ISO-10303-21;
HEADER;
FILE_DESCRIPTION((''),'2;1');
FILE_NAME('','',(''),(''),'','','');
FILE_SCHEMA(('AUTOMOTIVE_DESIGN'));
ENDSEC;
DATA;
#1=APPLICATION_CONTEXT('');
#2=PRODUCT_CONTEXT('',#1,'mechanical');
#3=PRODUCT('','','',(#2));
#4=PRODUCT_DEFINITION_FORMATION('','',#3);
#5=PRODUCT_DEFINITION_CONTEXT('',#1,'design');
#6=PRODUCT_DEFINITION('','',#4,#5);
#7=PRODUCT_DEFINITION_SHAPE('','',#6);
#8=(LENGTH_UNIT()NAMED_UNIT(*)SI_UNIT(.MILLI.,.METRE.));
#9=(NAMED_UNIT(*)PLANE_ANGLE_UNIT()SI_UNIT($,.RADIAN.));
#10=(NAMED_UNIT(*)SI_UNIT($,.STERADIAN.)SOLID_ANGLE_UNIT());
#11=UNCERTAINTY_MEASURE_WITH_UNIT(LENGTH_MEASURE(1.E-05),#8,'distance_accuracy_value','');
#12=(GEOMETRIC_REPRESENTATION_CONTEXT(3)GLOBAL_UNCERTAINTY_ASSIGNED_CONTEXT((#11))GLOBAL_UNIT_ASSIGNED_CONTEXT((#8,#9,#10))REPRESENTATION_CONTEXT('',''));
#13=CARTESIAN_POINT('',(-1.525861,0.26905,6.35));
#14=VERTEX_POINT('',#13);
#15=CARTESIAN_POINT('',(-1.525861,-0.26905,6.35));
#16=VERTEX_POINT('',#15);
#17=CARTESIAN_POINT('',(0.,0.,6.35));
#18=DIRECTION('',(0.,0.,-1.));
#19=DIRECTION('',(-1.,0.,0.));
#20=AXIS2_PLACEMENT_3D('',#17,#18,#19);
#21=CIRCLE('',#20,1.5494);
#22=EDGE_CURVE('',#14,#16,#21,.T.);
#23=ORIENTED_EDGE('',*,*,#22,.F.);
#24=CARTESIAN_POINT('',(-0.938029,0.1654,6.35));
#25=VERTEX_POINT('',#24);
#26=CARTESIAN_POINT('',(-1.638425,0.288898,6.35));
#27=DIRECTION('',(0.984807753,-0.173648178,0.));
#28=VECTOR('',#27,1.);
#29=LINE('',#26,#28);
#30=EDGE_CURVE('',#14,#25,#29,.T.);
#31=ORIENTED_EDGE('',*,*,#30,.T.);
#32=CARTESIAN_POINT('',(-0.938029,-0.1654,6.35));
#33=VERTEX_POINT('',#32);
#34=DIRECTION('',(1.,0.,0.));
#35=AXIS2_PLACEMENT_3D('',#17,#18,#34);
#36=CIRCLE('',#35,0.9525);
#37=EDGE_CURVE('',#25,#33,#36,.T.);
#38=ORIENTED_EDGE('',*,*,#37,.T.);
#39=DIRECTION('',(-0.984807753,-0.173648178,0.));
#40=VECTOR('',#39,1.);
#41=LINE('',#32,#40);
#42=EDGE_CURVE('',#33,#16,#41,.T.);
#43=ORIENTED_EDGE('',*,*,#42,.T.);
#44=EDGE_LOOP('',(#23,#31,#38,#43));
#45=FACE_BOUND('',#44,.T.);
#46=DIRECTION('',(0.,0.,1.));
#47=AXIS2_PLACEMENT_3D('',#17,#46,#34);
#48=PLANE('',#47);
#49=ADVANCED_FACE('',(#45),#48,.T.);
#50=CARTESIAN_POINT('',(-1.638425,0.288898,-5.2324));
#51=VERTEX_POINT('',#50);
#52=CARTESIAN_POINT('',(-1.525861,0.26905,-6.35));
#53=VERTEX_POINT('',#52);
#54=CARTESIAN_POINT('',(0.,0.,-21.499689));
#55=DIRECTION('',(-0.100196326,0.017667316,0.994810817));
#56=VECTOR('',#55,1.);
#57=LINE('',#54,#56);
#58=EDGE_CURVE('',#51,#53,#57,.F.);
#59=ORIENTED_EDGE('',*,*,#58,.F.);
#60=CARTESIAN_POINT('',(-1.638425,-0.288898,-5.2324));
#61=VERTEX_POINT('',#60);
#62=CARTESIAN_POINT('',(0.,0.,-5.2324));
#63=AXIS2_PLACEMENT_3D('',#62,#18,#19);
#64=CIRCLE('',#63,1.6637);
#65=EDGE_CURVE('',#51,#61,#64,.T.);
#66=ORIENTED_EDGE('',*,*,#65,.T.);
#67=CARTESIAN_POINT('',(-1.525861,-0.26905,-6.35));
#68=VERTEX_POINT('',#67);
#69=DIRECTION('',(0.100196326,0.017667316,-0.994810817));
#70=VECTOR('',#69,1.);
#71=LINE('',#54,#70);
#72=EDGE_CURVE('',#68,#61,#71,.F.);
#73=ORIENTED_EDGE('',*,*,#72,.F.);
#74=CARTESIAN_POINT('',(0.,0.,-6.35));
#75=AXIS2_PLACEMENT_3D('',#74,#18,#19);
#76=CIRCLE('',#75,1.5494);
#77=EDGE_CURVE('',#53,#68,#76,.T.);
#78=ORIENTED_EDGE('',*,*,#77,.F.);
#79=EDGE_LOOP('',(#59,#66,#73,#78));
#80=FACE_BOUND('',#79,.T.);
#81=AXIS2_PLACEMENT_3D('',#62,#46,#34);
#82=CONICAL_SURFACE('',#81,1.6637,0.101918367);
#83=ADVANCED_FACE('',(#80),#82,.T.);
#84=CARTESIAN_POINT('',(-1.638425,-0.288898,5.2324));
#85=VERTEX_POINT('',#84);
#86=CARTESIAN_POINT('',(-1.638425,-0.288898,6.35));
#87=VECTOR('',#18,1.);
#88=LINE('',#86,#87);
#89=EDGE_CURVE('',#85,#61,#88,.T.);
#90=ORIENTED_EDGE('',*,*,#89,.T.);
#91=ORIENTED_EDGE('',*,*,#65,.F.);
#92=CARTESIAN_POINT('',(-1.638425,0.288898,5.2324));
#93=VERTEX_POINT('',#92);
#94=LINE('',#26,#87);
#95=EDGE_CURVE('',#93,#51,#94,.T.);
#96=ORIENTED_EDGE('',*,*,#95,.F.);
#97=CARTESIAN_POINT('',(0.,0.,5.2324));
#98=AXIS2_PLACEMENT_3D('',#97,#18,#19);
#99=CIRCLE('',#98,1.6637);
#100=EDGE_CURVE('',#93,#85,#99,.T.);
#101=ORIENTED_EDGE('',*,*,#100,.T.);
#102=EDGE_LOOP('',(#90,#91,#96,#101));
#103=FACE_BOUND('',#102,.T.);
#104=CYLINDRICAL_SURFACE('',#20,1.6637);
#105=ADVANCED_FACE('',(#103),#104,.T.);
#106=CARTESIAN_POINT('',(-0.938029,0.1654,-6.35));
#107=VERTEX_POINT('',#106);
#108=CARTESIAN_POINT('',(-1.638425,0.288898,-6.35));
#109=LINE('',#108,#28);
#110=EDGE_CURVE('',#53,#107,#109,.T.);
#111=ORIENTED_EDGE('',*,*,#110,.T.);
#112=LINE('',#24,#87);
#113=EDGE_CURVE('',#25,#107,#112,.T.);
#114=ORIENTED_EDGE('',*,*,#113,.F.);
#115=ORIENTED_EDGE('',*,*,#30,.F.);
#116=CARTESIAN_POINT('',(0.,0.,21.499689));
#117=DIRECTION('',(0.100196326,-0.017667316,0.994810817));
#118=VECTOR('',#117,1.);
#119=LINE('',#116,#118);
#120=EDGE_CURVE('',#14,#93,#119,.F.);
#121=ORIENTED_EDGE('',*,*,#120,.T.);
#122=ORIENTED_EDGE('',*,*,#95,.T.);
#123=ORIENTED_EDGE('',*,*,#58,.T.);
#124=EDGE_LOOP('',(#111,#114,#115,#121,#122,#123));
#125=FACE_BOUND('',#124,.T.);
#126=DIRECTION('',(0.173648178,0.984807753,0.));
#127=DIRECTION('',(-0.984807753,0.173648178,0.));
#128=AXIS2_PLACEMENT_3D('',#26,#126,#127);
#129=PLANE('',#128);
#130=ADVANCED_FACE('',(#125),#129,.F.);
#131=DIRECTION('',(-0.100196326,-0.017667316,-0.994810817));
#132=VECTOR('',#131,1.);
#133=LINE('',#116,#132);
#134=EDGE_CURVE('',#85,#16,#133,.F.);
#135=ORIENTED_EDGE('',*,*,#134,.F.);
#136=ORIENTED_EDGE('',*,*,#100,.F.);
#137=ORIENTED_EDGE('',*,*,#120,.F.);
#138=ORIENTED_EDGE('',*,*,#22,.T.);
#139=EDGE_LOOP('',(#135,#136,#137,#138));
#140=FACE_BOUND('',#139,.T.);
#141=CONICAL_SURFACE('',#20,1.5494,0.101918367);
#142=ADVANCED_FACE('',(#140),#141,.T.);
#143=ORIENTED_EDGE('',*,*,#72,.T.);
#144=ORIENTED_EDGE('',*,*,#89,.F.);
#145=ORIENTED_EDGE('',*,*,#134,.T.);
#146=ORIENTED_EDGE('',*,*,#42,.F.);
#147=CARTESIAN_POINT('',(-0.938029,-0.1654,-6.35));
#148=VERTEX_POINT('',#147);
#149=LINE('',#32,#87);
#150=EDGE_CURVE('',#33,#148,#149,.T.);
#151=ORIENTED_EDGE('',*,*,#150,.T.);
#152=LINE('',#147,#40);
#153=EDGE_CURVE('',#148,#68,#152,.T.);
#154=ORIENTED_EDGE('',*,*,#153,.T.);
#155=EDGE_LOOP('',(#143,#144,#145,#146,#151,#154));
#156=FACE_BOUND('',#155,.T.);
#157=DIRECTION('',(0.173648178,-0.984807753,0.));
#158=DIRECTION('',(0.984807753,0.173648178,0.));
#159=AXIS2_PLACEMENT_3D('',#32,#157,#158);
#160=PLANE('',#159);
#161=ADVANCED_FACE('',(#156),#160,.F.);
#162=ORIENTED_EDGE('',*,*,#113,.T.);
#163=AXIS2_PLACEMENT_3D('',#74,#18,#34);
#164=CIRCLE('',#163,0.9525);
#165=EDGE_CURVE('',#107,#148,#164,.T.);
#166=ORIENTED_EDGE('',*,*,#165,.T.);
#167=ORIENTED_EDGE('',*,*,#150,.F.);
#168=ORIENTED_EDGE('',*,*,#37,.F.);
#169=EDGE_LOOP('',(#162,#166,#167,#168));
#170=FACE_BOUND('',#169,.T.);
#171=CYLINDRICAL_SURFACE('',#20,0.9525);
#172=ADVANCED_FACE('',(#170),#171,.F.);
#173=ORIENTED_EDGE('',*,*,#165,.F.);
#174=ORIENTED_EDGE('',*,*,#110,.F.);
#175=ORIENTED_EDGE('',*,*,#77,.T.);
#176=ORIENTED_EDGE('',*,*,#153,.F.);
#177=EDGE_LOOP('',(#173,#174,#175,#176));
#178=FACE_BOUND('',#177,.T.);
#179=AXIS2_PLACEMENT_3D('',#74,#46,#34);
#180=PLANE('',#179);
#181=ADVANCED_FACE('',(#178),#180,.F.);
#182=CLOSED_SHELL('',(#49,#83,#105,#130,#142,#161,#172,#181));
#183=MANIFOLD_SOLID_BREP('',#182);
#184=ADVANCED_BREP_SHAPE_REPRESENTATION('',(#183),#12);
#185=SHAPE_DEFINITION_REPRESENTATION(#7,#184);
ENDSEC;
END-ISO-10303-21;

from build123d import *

# Parameters (mm, degrees)
EXTRUDE1_DEPTH = 6.35


with BuildPart() as part:
    # Sketch1 → Extrude1 (new, symmetric)
    with BuildSketch(Plane.XY):
        with BuildLine():
            Line((-1.638424659, 0.288898473), (-0.938029385, 0.165399889))
            ThreePointArc((-0.938029385, 0.165399889), (0.9525, 0), (-0.938029385, -0.165399889))
            Line((-0.938029385, -0.165399889), (-1.638424659, -0.288898473))
            ThreePointArc((-1.638424659, -0.288898473), (1.6637, 0), (-1.638424659, 0.288898473))
        make_face()
    extrude(amount=EXTRUDE1_DEPTH, both=True)

    # Sketch2 → Cut-Revolve1 (revolve, cut)
    with BuildSketch(Plane(origin=(0, 0, 0), x_dir=(0, 0, -1), z_dir=(1, 0, 0))):
        Polygon((6.35, 1.6637), (6.35, 1.5494), (5.2324, 1.6637), align=None)
        Polygon((-5.2324, 1.6637), (-6.35, 1.6637), (-6.35, 1.5494), align=None)
    revolve(axis=Axis((0, 0, -6.35), (0, 0, 1)), mode=Mode.SUBTRACT)


solid = part.part
